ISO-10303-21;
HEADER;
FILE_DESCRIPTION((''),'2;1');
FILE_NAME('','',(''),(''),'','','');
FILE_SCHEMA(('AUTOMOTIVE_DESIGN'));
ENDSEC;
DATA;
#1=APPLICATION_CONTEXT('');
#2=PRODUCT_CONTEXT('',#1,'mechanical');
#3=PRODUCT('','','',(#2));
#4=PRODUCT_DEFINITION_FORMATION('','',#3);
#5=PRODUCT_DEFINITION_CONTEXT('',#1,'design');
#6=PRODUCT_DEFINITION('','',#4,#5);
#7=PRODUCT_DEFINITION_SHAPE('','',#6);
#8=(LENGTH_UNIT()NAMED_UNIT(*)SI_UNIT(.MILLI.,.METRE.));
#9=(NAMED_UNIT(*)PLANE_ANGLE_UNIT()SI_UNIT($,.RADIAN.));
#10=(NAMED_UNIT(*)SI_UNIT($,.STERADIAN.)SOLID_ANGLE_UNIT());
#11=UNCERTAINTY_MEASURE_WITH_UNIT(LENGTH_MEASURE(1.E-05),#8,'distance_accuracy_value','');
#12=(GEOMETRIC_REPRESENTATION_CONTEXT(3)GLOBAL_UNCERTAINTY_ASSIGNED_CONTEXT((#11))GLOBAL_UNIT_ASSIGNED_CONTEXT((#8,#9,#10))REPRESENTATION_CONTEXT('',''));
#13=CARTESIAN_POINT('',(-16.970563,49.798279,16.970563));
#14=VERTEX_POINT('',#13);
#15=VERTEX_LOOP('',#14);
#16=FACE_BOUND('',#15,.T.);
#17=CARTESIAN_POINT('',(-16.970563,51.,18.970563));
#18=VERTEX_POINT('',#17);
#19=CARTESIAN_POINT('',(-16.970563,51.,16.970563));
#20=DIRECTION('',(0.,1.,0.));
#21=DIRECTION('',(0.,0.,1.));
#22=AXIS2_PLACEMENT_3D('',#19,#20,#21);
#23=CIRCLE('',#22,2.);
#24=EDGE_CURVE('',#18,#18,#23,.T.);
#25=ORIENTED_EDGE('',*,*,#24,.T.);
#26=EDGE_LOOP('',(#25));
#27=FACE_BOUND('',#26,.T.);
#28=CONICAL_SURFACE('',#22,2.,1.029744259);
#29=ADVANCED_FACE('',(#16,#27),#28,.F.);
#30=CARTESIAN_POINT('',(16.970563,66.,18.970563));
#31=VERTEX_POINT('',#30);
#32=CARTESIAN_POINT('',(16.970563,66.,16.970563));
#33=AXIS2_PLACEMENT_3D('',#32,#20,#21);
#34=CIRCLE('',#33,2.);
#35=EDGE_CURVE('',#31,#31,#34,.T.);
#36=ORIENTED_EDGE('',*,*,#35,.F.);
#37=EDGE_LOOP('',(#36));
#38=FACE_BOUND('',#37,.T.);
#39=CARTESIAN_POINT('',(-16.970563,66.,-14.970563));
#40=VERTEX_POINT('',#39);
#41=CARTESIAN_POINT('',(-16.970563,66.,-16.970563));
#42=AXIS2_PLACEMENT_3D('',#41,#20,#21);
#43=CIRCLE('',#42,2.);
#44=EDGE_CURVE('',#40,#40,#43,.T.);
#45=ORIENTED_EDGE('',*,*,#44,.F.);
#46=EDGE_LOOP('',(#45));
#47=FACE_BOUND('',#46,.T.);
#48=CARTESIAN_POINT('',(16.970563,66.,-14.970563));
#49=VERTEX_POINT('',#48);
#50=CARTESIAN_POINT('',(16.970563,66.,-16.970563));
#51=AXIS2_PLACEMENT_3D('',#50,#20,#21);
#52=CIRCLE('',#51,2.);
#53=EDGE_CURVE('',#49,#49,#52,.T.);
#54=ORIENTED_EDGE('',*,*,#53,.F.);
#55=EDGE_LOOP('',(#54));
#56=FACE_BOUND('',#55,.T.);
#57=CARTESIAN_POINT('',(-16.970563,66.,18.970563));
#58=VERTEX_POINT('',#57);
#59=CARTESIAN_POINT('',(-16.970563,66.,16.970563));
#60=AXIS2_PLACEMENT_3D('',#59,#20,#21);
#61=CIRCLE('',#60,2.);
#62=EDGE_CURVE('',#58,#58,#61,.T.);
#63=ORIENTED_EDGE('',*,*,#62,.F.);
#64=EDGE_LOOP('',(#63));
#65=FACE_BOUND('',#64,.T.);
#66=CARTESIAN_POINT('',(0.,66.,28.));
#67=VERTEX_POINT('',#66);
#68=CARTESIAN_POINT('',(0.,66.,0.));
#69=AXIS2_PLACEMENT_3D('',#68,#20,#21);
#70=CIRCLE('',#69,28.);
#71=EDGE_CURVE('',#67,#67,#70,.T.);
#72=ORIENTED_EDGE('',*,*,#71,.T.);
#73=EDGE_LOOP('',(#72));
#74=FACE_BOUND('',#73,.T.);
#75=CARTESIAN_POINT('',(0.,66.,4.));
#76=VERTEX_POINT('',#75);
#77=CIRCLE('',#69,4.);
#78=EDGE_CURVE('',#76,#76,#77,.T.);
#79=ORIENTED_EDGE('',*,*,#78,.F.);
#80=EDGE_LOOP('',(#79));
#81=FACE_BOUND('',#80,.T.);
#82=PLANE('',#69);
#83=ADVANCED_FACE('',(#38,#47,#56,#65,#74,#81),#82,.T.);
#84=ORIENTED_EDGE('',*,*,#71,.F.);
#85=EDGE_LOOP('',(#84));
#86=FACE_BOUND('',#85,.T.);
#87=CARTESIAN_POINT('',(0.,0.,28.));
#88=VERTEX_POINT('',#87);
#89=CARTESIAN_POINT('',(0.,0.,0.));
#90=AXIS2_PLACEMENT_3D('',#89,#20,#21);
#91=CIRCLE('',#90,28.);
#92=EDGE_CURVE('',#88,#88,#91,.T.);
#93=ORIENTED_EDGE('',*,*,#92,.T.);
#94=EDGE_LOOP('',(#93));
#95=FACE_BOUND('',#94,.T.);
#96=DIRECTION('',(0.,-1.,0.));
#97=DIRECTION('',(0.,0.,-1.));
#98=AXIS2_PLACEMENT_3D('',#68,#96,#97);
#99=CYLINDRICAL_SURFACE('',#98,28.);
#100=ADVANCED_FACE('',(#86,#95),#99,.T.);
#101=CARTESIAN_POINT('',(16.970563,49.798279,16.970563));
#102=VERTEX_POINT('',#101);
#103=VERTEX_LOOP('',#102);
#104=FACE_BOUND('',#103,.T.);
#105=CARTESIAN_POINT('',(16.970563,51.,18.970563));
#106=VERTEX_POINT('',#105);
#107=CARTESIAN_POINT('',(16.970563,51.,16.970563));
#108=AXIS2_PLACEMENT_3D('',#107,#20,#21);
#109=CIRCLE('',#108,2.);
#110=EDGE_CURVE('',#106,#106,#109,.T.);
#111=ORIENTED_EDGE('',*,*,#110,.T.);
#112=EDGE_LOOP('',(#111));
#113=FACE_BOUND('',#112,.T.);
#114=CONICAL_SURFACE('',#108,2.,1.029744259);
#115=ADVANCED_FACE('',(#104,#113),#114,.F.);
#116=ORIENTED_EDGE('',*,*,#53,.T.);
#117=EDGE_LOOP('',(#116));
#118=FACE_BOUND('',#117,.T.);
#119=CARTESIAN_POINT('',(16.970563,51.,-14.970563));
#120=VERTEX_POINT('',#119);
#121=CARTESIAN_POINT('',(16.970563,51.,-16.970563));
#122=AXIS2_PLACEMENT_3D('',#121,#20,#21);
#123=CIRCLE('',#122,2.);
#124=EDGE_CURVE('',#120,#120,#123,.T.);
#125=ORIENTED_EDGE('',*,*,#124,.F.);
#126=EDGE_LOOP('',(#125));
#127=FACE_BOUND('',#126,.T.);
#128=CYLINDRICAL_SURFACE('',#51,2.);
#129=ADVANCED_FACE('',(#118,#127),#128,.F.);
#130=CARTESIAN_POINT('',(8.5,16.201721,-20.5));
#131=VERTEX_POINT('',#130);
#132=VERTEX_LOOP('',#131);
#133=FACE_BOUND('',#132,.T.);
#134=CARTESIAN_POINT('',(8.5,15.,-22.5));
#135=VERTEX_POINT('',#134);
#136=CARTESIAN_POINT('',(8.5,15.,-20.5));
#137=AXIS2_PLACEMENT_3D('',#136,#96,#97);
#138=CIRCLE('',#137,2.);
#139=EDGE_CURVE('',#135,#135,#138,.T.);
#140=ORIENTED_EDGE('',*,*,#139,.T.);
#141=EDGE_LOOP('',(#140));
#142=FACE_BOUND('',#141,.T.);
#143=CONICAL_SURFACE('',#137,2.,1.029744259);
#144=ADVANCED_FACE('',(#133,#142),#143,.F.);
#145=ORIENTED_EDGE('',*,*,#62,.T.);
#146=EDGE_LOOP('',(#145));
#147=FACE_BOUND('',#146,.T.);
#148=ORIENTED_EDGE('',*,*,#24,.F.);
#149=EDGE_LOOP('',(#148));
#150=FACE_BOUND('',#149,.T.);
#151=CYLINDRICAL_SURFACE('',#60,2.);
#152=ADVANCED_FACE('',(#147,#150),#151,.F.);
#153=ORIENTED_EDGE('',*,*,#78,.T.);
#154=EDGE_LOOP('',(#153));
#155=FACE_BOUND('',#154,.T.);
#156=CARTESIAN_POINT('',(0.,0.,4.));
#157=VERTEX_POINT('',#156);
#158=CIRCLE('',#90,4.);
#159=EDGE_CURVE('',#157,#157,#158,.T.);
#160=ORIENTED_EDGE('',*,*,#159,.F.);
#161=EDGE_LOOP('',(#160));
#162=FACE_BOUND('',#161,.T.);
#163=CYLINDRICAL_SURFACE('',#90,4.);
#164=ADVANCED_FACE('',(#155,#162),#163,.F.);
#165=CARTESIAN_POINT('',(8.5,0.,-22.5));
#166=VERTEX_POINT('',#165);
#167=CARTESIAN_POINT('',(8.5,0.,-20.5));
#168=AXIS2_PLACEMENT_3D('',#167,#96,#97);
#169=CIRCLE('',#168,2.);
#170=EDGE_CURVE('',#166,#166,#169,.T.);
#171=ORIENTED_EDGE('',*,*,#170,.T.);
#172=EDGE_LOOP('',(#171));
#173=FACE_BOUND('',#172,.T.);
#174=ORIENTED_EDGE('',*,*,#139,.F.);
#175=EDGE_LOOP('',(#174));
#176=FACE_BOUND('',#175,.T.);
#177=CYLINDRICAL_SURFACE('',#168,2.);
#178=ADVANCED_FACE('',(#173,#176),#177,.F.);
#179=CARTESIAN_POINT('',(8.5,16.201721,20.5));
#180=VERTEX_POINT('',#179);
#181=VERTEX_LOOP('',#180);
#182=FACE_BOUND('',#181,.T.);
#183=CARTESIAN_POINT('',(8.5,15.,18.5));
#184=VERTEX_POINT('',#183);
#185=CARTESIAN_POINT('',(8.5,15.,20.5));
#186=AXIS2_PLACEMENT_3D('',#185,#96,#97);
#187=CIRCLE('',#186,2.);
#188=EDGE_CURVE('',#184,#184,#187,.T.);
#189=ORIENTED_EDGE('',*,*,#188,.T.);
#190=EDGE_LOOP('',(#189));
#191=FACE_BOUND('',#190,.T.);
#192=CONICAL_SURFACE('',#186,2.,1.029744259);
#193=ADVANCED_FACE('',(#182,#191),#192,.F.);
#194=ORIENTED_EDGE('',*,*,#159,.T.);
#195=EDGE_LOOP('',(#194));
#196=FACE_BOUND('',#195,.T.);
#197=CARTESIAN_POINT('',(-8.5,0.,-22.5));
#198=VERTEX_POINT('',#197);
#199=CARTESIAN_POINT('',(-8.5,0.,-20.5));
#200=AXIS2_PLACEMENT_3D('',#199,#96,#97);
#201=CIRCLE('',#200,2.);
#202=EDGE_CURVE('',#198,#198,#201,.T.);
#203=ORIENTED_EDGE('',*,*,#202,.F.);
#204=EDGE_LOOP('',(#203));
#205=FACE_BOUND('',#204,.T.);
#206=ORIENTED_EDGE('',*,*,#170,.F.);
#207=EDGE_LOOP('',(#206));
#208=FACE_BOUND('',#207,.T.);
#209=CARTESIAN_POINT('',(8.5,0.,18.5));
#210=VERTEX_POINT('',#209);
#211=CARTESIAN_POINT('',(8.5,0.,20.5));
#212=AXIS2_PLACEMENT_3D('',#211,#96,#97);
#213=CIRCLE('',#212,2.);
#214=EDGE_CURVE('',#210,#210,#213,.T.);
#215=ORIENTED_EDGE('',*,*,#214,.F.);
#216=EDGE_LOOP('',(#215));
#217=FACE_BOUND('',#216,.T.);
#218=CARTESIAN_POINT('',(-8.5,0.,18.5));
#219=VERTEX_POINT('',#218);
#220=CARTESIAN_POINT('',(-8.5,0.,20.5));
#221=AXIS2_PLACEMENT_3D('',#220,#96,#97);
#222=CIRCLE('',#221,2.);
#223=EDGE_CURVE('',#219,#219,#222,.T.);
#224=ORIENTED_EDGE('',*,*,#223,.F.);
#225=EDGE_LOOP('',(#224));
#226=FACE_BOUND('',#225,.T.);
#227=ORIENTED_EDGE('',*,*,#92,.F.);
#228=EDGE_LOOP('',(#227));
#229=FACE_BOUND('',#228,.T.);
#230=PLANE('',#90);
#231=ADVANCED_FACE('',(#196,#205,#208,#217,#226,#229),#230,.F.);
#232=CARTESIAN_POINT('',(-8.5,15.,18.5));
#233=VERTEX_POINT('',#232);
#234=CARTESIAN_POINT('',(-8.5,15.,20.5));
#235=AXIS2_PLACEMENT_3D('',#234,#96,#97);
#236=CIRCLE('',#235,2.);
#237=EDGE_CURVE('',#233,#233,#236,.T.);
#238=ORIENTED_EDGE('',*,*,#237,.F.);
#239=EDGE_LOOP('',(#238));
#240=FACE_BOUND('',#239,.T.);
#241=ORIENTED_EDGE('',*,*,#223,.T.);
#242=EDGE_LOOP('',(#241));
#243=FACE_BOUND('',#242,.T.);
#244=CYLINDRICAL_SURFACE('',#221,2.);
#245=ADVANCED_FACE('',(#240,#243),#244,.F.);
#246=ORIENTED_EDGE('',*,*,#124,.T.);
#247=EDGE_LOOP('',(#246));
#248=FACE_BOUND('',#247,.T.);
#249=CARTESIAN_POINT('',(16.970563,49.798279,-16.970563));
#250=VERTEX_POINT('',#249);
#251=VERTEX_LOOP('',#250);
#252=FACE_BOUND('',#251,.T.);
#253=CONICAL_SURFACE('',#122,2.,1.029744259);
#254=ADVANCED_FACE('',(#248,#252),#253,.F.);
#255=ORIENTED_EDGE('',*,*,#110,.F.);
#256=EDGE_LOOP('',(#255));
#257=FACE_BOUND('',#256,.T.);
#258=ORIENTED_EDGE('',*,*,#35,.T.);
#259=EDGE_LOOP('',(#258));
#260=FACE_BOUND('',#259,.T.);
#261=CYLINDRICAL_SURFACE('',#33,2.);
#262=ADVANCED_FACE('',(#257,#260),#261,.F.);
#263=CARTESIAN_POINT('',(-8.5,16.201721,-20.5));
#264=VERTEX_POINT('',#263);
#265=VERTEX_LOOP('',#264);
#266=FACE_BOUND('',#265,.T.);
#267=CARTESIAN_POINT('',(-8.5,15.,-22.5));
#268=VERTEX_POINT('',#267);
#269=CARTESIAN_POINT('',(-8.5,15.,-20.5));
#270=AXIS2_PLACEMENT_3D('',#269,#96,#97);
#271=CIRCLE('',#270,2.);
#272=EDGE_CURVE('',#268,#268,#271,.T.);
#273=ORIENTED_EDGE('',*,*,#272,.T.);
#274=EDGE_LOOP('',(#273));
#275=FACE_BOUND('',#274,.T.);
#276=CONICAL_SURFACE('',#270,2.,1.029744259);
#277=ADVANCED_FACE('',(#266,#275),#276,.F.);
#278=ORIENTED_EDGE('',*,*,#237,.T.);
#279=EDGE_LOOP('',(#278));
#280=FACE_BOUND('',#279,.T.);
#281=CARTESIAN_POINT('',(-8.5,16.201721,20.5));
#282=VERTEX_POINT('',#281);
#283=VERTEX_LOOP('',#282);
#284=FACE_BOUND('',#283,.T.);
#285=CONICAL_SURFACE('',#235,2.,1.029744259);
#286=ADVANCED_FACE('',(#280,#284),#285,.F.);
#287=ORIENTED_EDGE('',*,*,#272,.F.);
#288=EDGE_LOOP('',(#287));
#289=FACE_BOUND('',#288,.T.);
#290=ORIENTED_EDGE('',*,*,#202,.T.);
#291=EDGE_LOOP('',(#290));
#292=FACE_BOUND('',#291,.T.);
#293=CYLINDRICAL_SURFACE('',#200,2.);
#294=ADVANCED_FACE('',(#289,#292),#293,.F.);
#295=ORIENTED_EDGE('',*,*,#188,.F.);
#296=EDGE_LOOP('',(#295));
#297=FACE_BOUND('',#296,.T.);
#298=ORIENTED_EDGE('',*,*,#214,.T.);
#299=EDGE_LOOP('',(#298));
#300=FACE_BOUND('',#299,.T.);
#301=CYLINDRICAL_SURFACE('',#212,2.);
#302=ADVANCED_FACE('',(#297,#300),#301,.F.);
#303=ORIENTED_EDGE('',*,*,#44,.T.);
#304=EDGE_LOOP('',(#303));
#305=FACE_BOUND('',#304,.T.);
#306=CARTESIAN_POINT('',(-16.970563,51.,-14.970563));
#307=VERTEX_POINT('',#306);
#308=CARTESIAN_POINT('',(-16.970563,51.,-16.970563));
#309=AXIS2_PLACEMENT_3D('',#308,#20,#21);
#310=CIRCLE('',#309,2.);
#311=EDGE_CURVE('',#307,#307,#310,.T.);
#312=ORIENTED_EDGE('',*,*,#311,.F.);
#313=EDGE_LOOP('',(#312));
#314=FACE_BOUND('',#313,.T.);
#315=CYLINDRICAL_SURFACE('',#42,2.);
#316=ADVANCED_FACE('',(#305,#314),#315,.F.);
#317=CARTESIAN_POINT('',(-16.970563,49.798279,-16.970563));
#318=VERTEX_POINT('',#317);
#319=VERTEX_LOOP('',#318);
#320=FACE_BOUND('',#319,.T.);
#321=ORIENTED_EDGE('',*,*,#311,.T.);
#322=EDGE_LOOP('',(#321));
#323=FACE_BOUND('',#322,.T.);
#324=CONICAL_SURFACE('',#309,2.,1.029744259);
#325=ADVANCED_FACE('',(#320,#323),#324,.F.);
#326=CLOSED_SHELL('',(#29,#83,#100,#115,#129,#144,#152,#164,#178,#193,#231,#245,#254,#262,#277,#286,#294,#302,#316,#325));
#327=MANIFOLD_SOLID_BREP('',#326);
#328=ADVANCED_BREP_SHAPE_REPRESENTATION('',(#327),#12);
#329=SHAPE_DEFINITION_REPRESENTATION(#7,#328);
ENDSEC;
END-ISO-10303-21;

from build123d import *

# Parameters (mm, degrees)
SKETCH_1_R          = 28
EXTRUDE_1_DEPTH     = 66
MM_1_D              = 4
MM_1_DEPTH          = 15
MM_1_TIP            = 1.201721238
SKETCH_5_R          = 4
CUT_EXTRUDE_1_DEPTH = 77.96752562
MM_2_D              = 4
MM_2_DEPTH          = 15
MM_2_TIP            = 1.201721238


with BuildPart() as part:
    # 草图1 → 凸台-拉伸1 (new body)
    with BuildSketch(Plane(origin=(0, 0, 0), x_dir=(1, 0, 0), z_dir=(0, 1, 0))):
        with Locations(Location((0, 0, 0), (0, 0, 270))):
            Circle(SKETCH_1_R)
    extrude(amount=EXTRUDE_1_DEPTH)

    # 大小mm 暗销孔1
    with Locations(Plane(origin=(-16.970562748, 66, -16.970562748), x_dir=(0, 0, 1), z_dir=(0, 1, 0))):
        with Locations((0, 0), (0, 33.941125496), (33.941125496, 33.941125496), (33.941125496, 0)):
            Hole(MM_1_D / 2, depth=MM_1_DEPTH)
            with Locations((0, 0, -(MM_1_DEPTH + MM_1_TIP / 2))):  # 118° drill point
                Cone(0, MM_1_D / 2, MM_1_TIP, mode=Mode.SUBTRACT)

    # 草图5 → 切除-拉伸1 (cut, through all)
    with BuildSketch(Plane(origin=(0, 66, 0), x_dir=(1, 0, 0), z_dir=(0, 1, 0))):
        with Locations(Location((0, 0, 0), (0, 0, 270))):
            Circle(SKETCH_5_R)
    extrude(amount=-CUT_EXTRUDE_1_DEPTH, mode=Mode.SUBTRACT)

    # 大小mm 暗销孔2
    with Locations(Plane(origin=(-8.5, 0, 20.5), x_dir=(0, 0, -1), z_dir=(0, -1, 0))):
        with Locations((0, 0), (0, 17), (41, 17), (41, 0)):
            Hole(MM_2_D / 2, depth=MM_2_DEPTH)
            with Locations((0, 0, -(MM_2_DEPTH + MM_2_TIP / 2))):  # 118° drill point
                Cone(0, MM_2_D / 2, MM_2_TIP, mode=Mode.SUBTRACT)


solid = part.part
